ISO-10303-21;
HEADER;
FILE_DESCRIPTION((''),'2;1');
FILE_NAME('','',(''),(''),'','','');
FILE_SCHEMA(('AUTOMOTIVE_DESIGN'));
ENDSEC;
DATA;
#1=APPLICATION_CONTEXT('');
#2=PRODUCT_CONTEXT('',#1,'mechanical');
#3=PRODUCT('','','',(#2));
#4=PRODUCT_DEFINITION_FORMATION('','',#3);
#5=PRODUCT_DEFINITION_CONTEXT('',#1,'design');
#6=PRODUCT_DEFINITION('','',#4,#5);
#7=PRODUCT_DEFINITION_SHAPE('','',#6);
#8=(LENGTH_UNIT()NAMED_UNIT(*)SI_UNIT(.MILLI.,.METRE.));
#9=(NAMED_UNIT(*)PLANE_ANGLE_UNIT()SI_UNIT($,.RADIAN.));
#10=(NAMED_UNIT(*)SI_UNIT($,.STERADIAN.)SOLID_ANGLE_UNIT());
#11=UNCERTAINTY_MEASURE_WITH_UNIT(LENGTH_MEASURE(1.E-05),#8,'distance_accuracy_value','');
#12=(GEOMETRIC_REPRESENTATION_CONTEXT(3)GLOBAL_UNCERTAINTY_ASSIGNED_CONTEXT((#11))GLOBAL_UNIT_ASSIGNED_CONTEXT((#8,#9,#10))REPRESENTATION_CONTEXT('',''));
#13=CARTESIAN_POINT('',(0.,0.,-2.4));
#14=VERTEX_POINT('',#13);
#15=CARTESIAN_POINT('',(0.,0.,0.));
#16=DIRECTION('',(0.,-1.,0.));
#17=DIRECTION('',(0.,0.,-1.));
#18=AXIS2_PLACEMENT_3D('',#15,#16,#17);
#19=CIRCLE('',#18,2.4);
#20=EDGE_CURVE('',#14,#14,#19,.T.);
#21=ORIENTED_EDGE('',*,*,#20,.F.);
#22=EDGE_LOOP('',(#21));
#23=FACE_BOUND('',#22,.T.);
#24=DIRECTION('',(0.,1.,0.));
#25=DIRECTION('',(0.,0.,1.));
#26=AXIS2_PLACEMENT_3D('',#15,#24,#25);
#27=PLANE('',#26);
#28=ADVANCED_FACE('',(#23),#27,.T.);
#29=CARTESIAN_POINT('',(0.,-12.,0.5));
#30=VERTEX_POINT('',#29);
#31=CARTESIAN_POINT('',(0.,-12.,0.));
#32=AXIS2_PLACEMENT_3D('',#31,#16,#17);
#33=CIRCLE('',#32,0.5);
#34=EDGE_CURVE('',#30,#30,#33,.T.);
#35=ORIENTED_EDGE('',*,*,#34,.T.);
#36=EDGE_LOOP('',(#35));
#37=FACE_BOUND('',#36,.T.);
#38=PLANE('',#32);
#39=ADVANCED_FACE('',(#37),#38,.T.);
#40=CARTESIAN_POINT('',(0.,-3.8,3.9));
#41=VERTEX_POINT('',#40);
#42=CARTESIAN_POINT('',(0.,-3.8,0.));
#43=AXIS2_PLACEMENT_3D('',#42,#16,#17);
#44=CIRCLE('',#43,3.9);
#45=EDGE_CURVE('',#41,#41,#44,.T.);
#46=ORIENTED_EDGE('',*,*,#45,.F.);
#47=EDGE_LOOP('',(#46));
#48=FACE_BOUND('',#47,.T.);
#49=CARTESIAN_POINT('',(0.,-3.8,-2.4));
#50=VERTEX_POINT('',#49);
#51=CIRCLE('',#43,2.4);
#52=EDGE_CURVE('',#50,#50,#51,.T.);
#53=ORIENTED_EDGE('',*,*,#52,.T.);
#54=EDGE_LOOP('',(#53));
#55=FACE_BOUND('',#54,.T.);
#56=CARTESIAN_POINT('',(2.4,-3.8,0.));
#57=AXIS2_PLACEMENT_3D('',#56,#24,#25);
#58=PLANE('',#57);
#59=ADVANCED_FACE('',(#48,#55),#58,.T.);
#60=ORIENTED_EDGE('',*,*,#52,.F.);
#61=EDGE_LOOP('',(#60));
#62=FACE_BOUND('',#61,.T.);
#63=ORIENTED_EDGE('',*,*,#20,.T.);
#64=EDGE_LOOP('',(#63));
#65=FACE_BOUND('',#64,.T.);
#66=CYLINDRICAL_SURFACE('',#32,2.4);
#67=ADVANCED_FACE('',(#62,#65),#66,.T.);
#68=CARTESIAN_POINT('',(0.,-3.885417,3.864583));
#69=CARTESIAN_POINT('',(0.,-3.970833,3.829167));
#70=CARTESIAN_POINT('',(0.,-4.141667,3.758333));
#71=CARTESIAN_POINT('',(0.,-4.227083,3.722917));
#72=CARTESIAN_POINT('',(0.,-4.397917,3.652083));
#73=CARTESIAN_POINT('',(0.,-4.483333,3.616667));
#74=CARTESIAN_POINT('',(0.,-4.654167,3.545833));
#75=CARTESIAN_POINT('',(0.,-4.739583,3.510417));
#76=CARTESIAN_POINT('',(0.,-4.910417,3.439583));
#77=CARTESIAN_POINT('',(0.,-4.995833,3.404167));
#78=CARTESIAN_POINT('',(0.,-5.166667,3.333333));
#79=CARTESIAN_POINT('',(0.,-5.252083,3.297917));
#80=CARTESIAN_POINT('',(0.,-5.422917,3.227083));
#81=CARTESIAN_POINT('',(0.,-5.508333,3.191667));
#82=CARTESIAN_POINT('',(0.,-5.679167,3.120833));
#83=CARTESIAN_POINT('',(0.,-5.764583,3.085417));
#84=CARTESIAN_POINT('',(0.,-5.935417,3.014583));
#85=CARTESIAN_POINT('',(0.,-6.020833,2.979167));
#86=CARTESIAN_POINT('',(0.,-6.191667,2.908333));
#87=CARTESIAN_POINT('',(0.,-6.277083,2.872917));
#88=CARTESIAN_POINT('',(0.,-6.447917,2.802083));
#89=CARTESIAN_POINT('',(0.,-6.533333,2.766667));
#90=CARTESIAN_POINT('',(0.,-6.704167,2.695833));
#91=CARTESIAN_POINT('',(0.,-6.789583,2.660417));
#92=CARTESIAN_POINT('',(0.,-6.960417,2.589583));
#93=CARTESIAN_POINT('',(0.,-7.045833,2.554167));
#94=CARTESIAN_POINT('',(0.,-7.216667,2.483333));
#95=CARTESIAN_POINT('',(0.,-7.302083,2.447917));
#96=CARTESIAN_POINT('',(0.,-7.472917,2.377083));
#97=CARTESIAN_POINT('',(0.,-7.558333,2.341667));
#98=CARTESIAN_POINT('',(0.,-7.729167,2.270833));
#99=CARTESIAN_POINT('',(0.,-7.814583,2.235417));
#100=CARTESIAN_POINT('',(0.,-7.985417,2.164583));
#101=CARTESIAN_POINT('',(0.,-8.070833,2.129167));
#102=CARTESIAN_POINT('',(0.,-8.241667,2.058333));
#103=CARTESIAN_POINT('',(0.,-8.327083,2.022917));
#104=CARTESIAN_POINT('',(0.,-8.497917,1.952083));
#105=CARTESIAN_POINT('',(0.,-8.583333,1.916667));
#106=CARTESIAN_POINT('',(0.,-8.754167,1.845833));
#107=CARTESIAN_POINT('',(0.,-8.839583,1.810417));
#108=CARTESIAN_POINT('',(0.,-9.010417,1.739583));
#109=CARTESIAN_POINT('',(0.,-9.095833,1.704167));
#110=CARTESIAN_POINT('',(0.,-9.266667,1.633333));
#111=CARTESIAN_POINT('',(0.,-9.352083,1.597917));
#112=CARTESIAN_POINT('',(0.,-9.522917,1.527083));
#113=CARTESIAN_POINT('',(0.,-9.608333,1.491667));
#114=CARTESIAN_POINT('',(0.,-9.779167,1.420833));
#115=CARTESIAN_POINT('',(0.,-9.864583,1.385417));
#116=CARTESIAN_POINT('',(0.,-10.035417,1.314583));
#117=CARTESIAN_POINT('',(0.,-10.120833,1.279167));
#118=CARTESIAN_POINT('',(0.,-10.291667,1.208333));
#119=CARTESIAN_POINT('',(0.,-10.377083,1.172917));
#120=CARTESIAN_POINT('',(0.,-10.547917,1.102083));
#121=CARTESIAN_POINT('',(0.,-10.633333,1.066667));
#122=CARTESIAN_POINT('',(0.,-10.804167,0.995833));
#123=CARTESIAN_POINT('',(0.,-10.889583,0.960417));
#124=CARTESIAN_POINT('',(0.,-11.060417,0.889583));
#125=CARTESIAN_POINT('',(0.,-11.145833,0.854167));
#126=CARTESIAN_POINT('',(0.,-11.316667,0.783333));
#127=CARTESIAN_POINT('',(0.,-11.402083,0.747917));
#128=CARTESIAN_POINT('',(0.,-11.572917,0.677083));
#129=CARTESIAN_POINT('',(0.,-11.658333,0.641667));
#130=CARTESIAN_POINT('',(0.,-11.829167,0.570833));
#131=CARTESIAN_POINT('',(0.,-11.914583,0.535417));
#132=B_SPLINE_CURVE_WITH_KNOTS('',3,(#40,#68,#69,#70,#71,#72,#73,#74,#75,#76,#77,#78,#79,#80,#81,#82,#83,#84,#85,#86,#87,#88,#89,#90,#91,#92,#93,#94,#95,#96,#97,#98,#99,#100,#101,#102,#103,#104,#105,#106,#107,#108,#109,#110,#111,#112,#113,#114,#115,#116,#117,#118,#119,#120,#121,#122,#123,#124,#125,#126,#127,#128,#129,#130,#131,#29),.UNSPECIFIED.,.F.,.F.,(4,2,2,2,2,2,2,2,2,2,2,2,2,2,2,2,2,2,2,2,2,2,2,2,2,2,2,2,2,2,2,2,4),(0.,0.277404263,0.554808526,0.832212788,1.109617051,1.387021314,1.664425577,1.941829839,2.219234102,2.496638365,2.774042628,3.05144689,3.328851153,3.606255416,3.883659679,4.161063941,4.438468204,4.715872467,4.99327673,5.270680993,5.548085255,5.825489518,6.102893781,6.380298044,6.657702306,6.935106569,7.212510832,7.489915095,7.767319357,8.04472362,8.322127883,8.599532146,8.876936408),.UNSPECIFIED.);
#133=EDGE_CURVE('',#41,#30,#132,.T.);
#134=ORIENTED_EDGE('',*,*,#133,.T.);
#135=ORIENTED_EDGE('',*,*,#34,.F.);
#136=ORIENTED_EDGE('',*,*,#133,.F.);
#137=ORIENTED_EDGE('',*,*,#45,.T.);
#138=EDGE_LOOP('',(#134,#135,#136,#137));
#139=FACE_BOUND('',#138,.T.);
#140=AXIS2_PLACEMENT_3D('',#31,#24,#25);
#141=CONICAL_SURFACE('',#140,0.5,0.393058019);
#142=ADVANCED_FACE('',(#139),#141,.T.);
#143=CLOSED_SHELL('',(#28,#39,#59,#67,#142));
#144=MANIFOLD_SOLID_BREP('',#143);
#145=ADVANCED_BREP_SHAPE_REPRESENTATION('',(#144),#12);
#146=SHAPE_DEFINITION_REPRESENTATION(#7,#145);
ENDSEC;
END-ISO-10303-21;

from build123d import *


with BuildPart() as part:
    # Skizze1 → Rotation3 (revolve)
    with BuildSketch(Plane.XY, mode=Mode.PRIVATE) as rotation3_sk:
        Polygon((0, 0), (2.4, 0), (2.4, -3.8), (3.9, -3.8), (0.5, -12), (0, -12), align=None)
    revolve(rotation3_sk.sketch.rotate(Axis((0, -12, 0), (0, 1, 0)), 90), axis=Axis((0, -12, 0), (0, 1, 0)))


solid = part.part
